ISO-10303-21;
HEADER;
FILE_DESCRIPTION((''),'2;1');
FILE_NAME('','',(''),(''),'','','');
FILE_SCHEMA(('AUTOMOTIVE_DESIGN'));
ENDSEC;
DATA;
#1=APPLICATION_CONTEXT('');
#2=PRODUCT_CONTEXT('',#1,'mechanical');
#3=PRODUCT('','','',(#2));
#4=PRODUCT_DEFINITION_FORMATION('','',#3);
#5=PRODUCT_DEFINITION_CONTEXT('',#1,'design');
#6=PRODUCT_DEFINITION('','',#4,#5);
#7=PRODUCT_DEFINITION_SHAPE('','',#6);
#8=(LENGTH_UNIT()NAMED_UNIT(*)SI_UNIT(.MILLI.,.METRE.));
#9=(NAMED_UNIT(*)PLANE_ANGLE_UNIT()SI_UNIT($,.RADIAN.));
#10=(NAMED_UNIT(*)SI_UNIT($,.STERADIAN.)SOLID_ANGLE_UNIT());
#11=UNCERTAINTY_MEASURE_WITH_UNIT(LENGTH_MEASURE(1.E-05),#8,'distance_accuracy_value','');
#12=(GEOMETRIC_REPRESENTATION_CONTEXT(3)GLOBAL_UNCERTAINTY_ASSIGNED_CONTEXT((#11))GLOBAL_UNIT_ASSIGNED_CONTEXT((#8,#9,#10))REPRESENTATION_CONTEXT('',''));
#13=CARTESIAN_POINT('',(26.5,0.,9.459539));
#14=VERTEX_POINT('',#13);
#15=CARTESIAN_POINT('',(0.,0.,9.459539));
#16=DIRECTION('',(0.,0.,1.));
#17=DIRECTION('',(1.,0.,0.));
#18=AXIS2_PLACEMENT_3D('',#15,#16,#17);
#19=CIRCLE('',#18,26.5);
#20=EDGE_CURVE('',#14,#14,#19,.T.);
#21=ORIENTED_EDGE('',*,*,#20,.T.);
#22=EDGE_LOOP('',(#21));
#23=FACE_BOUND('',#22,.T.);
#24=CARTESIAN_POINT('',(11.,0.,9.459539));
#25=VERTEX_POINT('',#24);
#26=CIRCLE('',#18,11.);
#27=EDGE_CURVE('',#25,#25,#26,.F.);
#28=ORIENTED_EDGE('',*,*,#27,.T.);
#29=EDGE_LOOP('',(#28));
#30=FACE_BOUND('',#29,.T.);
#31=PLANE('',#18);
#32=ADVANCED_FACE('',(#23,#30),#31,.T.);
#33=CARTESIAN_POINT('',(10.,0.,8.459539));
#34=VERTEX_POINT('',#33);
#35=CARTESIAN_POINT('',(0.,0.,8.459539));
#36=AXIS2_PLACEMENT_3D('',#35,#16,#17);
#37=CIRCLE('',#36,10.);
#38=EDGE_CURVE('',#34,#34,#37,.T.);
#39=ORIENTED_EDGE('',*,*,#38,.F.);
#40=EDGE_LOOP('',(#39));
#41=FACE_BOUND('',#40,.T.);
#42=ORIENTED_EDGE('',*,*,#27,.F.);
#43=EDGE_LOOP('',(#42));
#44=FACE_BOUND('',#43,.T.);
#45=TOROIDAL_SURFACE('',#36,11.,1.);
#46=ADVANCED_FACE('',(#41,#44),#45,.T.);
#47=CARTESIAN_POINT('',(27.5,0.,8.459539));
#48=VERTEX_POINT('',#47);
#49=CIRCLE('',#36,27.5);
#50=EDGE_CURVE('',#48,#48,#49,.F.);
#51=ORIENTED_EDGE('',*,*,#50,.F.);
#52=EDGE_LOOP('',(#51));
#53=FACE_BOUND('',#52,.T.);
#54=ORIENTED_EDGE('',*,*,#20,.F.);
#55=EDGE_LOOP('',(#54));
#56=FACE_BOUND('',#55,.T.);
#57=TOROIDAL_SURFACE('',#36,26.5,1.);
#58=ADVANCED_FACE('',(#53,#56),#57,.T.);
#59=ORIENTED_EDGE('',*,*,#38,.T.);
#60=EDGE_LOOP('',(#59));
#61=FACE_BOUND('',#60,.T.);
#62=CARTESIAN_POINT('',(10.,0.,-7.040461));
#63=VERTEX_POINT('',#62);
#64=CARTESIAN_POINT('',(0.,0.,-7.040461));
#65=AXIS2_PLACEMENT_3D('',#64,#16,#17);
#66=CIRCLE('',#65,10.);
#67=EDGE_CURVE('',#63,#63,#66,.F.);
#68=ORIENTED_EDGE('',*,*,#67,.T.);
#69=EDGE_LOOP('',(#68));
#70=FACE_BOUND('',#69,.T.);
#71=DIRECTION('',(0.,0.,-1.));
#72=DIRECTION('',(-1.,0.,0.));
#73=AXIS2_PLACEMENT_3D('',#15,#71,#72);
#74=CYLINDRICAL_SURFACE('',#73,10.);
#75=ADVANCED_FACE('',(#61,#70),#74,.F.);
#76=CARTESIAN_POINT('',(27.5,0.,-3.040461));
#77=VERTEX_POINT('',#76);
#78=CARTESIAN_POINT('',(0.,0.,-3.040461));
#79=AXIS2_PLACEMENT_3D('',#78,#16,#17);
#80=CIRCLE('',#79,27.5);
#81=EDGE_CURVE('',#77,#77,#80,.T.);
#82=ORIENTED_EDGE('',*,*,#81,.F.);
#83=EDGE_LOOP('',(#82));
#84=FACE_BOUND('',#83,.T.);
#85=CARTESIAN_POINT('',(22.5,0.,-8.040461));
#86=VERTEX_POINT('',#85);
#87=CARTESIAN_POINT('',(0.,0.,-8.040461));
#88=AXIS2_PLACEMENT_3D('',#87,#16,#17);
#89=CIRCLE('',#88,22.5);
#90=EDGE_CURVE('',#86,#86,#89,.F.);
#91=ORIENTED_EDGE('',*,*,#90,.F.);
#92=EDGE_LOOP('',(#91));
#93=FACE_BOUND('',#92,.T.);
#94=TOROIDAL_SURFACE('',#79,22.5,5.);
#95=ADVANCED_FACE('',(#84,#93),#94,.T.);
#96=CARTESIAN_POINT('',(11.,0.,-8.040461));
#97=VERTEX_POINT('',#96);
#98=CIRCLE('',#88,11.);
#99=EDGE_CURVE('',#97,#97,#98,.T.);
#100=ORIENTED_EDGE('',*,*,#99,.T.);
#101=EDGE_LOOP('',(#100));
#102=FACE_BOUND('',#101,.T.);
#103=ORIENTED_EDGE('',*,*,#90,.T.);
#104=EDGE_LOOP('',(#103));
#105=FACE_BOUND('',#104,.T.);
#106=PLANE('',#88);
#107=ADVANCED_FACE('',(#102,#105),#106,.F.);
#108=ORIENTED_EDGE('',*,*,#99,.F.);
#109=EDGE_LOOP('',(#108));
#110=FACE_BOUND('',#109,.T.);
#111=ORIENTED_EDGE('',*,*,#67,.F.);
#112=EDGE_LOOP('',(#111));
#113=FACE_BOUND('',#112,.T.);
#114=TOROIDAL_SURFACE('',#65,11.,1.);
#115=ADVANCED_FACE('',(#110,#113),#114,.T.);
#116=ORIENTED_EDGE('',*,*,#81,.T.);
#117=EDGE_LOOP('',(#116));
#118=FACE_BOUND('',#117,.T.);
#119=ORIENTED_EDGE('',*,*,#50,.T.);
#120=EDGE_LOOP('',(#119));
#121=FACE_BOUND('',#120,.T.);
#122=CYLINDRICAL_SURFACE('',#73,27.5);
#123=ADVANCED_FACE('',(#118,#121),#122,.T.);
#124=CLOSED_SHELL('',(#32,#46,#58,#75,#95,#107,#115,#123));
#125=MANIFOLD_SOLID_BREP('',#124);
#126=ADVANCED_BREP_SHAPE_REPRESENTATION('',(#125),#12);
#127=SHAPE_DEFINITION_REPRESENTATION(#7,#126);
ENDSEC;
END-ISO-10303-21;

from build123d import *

# Parameters (mm, degrees)
SKETCH1_R           = 2.75
SKETCH1_R_2         = 1
EXTRUDE_THIN1_DEPTH = 1.75
FILLET1_R           = 0.5
FILLET2_R           = 0.1
SCALE1_SCALE        = 10


with BuildPart() as part:
    # Sketch1 → Extrude-Thin1 (new body)
    with BuildSketch(Plane.XY):
        Circle(SKETCH1_R)
        Circle(SKETCH1_R_2, mode=Mode.SUBTRACT)
    extrude(amount=EXTRUDE_THIN1_DEPTH)

    # Fillet1
    fillet1_edges = [part.edges().sort_by_distance(p)[0] for p in [
        (-2.75, 0, 0),
    ]]
    fillet(fillet1_edges, radius=FILLET1_R)

    # Fillet2
    fillet2_edges = [part.edges().sort_by_distance(p)[0] for p in [
        (-1, 0, 0),
        (-2.75, 0, 1.75),
        (-1, 0, 1.75),
    ]]
    fillet(fillet2_edges, radius=FILLET2_R)


with BuildPart() as part_1:
    # Scale1: scaled about (0, 0, 0.893384529)
    add(part.part.scale(SCALE1_SCALE).moved(Location((0, 0, -8.040460761))))


solid = part_1.part
